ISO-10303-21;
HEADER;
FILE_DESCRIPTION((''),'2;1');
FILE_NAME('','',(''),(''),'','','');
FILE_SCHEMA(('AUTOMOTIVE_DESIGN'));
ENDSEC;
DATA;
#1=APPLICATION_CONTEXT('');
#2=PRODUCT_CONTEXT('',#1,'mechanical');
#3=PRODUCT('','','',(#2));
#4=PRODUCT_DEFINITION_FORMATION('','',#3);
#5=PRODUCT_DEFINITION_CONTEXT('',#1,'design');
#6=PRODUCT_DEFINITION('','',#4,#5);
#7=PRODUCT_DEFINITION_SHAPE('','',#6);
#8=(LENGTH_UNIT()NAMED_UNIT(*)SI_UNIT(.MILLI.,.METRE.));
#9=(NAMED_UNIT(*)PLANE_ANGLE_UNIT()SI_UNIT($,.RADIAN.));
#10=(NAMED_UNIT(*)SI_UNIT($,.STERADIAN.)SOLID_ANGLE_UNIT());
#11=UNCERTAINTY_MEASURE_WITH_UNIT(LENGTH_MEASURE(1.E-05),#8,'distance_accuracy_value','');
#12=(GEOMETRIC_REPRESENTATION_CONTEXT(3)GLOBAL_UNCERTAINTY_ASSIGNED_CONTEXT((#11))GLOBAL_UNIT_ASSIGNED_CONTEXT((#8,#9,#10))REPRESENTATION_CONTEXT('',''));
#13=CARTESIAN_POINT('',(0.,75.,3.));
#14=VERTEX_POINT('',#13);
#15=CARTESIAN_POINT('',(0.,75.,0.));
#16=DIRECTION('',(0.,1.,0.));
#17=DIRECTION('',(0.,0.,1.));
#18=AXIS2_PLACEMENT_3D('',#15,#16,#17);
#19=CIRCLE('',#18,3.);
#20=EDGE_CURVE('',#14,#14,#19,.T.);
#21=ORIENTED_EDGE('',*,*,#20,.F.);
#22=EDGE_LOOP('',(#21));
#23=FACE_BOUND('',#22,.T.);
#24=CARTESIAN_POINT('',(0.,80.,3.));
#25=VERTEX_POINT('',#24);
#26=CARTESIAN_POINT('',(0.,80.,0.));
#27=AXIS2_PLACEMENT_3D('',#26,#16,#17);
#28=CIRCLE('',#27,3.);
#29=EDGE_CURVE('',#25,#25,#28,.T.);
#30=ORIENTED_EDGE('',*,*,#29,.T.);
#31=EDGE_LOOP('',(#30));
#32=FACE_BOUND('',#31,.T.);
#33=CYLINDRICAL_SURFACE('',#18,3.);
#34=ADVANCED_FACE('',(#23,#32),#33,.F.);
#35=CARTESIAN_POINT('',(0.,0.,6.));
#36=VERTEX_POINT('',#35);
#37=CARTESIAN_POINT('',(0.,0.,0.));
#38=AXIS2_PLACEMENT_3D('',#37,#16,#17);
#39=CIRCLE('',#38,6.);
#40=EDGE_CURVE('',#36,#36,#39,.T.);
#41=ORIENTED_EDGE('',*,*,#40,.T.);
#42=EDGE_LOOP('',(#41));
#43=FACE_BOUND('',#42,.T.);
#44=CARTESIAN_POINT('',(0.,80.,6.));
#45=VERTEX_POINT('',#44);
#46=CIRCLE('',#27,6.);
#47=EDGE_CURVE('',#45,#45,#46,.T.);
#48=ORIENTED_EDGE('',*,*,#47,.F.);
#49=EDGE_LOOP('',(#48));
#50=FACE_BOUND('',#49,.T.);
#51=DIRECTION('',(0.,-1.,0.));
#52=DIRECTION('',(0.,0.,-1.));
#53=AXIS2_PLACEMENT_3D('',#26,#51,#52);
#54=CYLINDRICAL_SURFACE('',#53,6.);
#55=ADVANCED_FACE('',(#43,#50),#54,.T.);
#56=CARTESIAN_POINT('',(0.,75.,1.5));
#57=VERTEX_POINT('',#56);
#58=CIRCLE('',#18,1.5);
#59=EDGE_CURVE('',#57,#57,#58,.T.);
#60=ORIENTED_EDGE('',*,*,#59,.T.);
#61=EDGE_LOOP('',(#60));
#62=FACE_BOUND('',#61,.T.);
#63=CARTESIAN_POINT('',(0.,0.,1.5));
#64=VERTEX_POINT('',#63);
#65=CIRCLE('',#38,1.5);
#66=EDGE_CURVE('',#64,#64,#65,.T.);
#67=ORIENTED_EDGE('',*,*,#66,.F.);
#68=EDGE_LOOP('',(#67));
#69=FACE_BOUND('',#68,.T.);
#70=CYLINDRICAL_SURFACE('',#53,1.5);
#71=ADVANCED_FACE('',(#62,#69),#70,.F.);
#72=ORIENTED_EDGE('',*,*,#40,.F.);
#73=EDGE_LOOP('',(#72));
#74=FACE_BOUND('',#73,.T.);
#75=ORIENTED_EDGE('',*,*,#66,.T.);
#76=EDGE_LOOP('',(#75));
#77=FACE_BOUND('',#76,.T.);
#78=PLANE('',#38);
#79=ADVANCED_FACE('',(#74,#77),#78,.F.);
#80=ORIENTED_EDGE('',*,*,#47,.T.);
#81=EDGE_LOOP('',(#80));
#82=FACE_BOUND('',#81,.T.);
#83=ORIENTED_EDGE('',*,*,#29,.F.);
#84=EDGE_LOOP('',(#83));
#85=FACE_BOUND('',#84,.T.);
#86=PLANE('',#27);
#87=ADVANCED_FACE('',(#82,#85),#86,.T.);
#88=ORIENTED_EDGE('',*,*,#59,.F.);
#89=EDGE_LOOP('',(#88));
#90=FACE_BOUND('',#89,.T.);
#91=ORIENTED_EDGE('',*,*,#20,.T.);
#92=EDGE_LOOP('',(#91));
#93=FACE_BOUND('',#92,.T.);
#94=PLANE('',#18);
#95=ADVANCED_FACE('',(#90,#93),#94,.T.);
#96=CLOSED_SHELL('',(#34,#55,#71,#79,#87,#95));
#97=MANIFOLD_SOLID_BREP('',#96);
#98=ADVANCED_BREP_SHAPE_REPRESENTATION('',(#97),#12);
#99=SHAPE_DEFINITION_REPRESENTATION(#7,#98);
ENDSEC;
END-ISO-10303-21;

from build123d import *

# Parameters (mm, degrees)
SKETCH1_R           = 6
SKETCH1_R_2         = 1.5
BOSS_EXTRUDE1_DEPTH = 80
SKETCH2_R           = 3
CUT_EXTRUDE1_DEPTH  = 5


with BuildPart() as part:
    # Sketch1 → Boss-Extrude1 (new body)
    with BuildSketch(Plane(origin=(0, 0, 0), x_dir=(1, 0, 0), z_dir=(0, 1, 0))):
        Circle(SKETCH1_R)
        Circle(SKETCH1_R_2, mode=Mode.SUBTRACT)
    extrude(amount=BOSS_EXTRUDE1_DEPTH)

    # Sketch2 → Cut-Extrude1 (cut)
    with BuildSketch(Plane(origin=(0, 80, 0), x_dir=(1, 0, 0), z_dir=(0, 1, 0))):
        Circle(SKETCH2_R)
    extrude(amount=-CUT_EXTRUDE1_DEPTH, mode=Mode.SUBTRACT)


solid = part.part
